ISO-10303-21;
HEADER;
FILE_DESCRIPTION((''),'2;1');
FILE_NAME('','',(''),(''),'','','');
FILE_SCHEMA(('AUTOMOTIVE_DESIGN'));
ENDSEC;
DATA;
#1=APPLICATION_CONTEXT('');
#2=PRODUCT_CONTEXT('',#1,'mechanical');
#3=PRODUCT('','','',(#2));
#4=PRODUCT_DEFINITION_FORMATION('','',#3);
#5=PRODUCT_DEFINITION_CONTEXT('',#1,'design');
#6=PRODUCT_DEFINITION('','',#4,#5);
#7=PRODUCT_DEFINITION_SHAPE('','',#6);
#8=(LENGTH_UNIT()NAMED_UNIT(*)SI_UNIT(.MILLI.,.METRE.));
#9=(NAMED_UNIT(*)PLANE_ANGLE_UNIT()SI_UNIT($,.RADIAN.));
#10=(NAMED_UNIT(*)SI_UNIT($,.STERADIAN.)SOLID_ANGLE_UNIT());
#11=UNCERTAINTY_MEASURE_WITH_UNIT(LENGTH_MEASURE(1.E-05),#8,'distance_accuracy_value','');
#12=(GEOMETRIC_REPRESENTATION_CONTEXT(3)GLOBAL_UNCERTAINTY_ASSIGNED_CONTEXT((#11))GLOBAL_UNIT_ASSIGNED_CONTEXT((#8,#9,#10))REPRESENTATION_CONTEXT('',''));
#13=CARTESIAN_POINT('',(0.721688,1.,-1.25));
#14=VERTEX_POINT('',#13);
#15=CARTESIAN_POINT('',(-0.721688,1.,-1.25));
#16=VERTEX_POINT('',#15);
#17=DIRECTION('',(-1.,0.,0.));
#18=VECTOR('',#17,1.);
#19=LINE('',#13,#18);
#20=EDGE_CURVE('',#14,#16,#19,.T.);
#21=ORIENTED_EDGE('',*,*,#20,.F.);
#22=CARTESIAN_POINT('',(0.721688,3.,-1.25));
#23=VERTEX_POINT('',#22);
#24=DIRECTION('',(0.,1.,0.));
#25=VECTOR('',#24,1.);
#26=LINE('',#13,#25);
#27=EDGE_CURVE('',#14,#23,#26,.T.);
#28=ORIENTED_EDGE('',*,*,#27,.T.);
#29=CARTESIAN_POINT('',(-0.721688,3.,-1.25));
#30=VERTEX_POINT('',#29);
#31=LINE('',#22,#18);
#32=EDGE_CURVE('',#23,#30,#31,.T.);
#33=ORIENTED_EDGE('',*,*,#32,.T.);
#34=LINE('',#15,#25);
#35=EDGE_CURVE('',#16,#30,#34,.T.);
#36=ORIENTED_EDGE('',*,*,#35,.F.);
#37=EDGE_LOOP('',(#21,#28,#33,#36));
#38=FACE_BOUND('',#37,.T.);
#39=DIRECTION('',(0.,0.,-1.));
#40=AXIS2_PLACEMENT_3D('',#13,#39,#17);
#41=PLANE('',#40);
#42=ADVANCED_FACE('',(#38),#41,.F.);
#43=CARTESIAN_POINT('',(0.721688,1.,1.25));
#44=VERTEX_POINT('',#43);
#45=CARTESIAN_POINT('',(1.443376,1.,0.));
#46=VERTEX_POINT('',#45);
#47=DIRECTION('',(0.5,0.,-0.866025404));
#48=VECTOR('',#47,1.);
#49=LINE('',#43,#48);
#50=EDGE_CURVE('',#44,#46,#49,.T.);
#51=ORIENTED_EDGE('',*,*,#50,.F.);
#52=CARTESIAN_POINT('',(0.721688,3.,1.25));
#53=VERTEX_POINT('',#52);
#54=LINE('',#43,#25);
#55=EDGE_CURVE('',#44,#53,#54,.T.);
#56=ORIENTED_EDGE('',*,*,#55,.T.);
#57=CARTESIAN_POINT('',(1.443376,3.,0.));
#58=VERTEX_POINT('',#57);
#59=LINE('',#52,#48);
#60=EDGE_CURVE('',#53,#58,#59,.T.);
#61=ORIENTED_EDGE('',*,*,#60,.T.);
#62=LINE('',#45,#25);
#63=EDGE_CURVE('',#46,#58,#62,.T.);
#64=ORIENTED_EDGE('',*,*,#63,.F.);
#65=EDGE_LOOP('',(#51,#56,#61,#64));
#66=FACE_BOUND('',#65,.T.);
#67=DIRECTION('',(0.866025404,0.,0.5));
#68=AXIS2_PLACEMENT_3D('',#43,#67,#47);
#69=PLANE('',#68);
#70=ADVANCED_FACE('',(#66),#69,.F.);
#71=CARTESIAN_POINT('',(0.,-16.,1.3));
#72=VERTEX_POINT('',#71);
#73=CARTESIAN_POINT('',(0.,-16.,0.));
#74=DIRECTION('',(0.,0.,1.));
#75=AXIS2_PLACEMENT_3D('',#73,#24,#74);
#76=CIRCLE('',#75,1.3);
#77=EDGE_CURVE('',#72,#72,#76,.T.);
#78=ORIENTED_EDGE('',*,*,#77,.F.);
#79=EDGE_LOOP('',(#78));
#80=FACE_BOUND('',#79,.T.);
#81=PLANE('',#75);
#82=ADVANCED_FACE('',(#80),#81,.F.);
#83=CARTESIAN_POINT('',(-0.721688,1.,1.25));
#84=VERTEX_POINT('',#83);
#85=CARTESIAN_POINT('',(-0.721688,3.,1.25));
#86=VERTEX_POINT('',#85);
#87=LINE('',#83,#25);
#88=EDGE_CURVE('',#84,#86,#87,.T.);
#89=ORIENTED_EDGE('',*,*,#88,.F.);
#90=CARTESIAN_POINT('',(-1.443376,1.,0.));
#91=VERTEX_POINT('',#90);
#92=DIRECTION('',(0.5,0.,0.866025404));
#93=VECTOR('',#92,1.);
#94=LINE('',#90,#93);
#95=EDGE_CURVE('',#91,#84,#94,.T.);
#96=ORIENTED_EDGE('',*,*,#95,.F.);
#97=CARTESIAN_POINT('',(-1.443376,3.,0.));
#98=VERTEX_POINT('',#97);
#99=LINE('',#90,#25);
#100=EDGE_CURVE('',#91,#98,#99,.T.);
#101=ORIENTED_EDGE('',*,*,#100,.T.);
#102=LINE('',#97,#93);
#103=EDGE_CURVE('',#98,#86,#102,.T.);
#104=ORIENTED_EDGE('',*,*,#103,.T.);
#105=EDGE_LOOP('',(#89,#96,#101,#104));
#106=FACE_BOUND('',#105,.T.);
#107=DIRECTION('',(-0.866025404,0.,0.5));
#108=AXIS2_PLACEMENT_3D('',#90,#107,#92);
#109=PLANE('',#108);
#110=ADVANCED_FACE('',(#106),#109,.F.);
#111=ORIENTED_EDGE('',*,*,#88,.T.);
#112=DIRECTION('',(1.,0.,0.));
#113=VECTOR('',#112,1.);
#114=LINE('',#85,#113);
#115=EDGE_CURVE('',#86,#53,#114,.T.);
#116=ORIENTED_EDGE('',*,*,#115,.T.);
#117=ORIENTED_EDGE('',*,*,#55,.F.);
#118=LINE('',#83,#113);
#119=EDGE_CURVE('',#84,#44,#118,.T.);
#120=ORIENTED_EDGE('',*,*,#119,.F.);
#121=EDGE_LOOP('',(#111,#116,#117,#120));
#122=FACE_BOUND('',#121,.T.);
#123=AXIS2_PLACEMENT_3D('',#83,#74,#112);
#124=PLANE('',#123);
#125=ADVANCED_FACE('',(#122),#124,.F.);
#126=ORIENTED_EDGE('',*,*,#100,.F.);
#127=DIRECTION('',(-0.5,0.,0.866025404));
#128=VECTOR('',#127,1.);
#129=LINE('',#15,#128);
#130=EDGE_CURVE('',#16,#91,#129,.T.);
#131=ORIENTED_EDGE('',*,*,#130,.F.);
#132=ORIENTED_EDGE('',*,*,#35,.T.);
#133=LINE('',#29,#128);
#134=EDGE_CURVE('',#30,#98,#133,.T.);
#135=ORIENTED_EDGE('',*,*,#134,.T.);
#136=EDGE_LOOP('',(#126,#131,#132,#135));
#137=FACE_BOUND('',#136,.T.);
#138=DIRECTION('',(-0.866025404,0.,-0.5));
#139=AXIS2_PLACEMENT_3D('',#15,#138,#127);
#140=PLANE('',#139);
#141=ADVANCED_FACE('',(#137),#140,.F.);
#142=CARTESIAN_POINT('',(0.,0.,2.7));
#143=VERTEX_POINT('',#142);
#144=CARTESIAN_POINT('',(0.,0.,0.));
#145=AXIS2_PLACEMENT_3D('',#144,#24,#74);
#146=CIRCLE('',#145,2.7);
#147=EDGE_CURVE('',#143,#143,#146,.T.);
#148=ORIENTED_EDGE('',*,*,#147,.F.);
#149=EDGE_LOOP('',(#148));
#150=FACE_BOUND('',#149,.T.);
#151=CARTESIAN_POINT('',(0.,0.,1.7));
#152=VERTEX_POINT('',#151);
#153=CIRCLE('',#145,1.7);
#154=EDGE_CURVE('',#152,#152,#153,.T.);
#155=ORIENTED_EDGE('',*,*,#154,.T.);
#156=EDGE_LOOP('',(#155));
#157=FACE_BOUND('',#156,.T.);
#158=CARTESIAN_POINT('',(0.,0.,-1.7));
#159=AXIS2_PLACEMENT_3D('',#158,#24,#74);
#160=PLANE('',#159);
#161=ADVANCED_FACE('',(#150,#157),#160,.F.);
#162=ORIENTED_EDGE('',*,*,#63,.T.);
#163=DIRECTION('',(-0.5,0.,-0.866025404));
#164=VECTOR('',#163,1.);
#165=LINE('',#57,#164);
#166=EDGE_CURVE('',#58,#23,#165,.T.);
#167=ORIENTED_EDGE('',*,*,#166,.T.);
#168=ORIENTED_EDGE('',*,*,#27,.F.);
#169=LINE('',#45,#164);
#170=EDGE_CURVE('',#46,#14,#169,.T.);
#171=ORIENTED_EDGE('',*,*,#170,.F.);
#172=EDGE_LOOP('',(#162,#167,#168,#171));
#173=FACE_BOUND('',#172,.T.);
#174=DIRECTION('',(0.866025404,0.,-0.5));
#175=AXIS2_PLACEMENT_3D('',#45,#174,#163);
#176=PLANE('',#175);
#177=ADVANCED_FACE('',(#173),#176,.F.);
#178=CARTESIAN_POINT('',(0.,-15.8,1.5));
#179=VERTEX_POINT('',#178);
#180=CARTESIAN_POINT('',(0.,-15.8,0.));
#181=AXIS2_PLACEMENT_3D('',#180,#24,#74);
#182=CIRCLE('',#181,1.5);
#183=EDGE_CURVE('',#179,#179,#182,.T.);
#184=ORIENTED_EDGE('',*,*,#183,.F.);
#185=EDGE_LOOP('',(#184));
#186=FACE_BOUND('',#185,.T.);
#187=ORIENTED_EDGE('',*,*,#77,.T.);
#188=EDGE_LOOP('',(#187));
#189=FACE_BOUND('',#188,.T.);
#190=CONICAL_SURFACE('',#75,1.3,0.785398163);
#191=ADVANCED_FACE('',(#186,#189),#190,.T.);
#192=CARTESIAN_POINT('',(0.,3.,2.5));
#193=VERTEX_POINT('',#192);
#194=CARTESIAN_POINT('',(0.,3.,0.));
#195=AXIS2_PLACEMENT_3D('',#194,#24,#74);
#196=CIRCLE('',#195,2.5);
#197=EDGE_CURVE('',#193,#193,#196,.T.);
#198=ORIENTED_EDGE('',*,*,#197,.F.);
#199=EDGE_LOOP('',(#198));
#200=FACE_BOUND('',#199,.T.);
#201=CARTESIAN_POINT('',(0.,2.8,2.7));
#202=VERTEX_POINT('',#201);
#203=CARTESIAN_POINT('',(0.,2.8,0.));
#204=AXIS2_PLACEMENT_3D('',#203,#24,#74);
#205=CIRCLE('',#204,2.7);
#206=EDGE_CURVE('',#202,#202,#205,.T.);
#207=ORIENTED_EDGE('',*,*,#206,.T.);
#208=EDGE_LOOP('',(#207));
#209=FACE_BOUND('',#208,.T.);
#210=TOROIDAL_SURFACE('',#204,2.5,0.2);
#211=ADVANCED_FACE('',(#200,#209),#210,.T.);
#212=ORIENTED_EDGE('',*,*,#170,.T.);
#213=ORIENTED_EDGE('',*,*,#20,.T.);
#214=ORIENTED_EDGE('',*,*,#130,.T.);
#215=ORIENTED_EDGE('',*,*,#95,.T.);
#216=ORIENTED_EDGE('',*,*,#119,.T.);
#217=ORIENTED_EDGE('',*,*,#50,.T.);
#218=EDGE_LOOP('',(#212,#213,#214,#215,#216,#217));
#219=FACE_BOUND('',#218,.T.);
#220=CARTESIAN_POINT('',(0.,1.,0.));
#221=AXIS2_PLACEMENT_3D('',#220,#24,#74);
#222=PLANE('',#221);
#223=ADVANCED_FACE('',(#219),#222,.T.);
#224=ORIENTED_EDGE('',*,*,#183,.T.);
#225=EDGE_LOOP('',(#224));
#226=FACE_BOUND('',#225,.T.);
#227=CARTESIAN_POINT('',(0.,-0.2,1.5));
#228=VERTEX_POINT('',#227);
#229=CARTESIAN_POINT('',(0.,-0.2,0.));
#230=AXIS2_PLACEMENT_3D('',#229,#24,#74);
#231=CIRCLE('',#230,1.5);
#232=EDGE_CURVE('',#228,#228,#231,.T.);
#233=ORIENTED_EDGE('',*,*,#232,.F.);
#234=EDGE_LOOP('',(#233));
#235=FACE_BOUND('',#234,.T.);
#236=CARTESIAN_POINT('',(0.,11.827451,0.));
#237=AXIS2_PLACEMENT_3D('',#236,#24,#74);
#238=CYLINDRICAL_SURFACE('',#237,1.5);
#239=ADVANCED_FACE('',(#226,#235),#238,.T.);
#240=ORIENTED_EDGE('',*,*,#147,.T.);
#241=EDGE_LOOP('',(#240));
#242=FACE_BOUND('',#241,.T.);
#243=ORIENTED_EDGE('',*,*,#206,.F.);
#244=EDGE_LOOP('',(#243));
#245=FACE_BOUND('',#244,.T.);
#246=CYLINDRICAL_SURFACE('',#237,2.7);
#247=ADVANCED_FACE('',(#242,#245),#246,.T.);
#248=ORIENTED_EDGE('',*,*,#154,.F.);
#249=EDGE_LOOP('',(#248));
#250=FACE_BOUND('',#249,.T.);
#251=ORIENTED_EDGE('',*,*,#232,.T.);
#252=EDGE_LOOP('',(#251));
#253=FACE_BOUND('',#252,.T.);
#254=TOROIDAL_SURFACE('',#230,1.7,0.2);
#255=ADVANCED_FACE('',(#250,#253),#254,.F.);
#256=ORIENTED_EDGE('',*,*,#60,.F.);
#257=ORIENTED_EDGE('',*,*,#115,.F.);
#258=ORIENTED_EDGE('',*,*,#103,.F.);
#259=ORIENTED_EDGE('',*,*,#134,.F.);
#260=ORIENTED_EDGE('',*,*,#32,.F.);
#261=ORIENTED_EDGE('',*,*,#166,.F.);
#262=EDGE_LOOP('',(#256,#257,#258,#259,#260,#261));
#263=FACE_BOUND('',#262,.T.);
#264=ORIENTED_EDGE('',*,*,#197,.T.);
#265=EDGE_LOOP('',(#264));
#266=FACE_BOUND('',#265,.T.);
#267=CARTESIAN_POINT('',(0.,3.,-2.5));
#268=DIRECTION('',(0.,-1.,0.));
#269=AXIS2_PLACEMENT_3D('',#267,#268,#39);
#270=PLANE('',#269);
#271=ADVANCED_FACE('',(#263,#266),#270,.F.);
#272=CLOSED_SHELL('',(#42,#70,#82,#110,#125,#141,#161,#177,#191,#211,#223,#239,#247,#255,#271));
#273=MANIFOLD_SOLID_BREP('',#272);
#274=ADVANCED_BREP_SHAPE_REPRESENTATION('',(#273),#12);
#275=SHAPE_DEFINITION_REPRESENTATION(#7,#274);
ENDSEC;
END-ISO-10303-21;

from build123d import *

# Parameters (mm, degrees)
CUT_EXTRUDE1_DEPTH = 2


with BuildPart() as part:
    # Sketch1 → Revolve1 (revolve)
    with BuildSketch(Plane(origin=(0, 0, 0), x_dir=(0, 0, -1), z_dir=(1, 0, 0)), mode=Mode.PRIVATE) as revolve1_sk:
        with BuildLine():
            Line((0, 3), (0, -16))
            Line((0, -16), (1.3, -16))
            Line((1.3, -16), (1.5, -15.8))
            Line((1.5, -15.8), (1.5, -0.2))
            ThreePointArc((1.5, -0.2), (1.558578644, -0.058578644), (1.7, 0))
            Line((1.7, 0), (2.7, 0))
            Line((2.7, 0), (2.7, 2.8))
            ThreePointArc((2.7, 2.8), (2.641421356, 2.941421356), (2.5, 3))
            Line((2.5, 3), (0, 3))
        make_face()
    revolve(revolve1_sk.sketch.rotate(Axis((0, 11.82745098, 0), (0, -1, 0)), 180), axis=Axis((0, 11.82745098, 0), (0, -1, 0)))

    # Sketch2 → Cut-Extrude1 (cut)
    with BuildSketch(Plane(origin=(0, 3, 0), x_dir=(1, 0, 0), z_dir=(0, 1, 0))):
        Polygon((0.721687836, 1.25), (-0.721687836, 1.25), (-1.443375673, 0), (-0.721687836, -1.25), (0.721687836, -1.25), (1.443375673, 0), align=None)
    extrude(amount=-CUT_EXTRUDE1_DEPTH, mode=Mode.SUBTRACT)


solid = part.part
